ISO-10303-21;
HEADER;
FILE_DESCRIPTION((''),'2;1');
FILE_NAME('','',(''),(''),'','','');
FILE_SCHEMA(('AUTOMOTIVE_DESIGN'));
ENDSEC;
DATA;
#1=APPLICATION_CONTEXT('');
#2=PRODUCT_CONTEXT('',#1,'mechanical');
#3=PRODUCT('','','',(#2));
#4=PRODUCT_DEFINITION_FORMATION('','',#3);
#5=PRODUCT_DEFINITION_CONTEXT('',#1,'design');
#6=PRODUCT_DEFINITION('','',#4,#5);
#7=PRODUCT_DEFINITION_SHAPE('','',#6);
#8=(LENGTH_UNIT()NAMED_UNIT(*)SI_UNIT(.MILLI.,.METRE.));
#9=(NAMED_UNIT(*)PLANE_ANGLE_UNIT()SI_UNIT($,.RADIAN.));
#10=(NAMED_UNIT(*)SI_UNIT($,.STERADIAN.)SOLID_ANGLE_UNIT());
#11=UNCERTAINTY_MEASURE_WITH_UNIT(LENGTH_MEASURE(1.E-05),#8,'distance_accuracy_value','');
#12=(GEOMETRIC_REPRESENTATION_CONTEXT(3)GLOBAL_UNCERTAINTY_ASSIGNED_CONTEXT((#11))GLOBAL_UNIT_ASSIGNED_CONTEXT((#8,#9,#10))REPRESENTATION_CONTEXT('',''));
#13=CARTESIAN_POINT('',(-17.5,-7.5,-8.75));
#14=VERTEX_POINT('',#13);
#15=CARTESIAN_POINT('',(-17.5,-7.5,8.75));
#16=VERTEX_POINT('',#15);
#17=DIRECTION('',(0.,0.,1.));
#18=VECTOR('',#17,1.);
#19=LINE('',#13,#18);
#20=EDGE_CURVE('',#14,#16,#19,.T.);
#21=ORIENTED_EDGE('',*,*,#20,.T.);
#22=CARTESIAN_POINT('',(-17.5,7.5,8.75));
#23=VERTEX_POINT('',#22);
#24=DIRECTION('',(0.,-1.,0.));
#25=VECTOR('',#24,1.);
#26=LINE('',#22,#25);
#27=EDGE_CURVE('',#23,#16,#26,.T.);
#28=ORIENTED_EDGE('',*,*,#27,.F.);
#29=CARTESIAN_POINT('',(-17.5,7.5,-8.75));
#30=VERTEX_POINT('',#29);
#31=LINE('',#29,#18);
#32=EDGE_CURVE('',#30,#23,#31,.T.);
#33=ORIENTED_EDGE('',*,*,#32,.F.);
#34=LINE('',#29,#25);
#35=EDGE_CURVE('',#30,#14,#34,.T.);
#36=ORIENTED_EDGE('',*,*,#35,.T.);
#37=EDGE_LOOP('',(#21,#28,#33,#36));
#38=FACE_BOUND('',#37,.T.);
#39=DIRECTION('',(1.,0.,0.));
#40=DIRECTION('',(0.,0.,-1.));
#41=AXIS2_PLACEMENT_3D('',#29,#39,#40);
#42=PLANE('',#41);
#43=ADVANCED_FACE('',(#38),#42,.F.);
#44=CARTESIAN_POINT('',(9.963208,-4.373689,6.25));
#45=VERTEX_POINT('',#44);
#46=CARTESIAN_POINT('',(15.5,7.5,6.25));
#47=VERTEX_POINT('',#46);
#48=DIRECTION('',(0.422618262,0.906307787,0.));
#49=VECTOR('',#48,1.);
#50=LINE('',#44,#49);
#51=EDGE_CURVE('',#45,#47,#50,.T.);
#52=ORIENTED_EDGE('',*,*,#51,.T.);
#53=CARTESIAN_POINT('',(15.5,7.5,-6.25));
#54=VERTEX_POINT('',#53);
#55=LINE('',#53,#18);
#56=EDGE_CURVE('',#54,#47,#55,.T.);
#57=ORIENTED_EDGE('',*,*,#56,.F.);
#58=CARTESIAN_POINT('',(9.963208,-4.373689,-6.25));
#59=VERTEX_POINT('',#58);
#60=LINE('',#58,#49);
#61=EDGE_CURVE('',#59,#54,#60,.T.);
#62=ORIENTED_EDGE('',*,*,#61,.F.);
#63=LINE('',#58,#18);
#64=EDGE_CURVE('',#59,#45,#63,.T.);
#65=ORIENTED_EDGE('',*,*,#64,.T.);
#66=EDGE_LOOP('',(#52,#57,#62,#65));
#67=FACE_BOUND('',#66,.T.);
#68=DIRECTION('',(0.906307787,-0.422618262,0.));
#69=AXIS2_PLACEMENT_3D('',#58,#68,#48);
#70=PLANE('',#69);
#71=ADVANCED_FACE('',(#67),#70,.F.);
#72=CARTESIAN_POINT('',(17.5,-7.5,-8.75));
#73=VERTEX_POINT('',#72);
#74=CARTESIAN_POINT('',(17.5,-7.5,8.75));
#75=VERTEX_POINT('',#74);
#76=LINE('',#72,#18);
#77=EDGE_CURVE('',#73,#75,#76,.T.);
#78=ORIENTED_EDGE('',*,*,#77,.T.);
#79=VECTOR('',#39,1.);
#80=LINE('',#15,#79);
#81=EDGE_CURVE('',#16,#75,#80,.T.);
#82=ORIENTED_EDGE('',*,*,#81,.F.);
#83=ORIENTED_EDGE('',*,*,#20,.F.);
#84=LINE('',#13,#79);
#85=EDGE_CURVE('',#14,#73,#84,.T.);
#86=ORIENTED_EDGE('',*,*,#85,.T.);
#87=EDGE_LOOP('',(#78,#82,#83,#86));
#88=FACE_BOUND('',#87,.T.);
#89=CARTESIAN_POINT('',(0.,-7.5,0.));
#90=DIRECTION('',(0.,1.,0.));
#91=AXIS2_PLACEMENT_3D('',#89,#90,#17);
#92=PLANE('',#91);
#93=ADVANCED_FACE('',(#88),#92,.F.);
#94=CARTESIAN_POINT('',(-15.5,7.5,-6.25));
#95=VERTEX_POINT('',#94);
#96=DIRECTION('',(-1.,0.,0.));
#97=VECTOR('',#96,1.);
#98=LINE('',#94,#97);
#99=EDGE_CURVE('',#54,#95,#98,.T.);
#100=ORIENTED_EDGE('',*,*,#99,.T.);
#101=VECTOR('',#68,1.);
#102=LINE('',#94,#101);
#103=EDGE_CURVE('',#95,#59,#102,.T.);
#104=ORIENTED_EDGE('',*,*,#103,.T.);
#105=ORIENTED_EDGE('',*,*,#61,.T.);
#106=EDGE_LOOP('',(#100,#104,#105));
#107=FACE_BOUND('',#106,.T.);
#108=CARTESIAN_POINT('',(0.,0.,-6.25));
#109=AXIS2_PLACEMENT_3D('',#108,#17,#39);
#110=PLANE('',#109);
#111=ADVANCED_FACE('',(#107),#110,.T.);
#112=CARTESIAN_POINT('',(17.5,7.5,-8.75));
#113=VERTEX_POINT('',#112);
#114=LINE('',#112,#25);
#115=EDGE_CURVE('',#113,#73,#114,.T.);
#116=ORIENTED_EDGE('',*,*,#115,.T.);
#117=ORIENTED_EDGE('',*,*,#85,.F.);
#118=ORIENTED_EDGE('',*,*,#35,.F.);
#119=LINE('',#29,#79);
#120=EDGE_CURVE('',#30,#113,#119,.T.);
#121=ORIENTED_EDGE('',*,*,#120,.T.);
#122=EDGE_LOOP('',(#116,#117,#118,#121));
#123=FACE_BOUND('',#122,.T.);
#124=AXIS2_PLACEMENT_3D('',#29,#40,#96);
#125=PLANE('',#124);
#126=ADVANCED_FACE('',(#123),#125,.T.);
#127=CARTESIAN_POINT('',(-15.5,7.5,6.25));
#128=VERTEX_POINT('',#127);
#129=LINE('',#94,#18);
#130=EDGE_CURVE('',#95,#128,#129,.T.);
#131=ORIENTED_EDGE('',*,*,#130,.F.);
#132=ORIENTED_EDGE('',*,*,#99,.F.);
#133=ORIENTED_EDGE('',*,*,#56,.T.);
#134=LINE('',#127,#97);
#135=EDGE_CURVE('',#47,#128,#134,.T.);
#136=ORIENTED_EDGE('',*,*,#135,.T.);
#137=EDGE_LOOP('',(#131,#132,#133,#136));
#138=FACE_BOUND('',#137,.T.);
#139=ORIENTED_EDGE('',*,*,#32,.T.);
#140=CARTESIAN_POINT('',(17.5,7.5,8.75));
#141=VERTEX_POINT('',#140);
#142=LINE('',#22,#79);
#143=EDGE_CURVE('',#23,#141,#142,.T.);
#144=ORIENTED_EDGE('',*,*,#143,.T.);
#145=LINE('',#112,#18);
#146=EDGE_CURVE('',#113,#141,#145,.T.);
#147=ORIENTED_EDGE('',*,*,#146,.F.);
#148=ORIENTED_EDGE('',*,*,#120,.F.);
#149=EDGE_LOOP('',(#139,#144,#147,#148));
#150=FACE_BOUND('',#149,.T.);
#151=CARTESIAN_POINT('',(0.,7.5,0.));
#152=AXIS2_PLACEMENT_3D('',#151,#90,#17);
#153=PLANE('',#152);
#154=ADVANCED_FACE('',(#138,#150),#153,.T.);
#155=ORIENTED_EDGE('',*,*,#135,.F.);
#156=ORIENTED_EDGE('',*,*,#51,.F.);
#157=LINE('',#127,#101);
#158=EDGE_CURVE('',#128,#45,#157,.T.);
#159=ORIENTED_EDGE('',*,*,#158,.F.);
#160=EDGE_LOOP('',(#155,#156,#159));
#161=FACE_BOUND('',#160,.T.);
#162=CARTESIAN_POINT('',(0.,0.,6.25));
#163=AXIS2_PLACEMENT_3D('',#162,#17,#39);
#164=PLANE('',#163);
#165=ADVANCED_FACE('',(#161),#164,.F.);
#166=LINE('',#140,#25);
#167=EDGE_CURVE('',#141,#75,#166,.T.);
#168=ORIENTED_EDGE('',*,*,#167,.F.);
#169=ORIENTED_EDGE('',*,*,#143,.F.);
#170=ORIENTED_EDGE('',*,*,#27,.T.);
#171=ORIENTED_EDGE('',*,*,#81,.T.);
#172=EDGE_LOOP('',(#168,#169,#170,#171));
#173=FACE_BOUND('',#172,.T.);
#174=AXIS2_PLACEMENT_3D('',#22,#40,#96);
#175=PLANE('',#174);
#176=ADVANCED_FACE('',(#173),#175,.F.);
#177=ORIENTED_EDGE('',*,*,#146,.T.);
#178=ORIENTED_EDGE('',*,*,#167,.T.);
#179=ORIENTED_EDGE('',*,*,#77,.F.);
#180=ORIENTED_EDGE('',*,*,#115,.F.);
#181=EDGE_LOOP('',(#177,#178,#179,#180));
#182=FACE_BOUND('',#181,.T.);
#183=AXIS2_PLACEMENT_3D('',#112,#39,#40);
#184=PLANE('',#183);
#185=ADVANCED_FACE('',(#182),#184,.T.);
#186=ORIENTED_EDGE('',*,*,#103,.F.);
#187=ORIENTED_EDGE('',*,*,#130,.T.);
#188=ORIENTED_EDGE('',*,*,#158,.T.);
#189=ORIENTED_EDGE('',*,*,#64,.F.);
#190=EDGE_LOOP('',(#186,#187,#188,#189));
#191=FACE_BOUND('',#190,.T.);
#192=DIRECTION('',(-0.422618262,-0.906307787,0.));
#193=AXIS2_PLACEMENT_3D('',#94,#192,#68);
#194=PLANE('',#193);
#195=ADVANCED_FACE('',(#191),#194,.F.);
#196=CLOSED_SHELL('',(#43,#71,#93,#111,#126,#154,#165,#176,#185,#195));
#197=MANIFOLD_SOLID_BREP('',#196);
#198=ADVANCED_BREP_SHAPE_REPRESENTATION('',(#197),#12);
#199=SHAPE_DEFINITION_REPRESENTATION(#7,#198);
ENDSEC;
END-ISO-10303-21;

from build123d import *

# Parameters (mm, degrees)
SKETCH1_W           = 35
SKETCH1_H           = 17.5
BOSS_EXTRUDE2_DEPTH = 7.5
CUT_EXTRUDE2_DEPTH  = 6.25


with BuildPart() as part:
    # Sketch1 → Boss-Extrude2 (new, symmetric)
    with BuildSketch(Plane(origin=(0, 0, 0), x_dir=(1, 0, 0), z_dir=(0, 1, 0))):
        Rectangle(SKETCH1_W, SKETCH1_H)
    extrude(amount=BOSS_EXTRUDE2_DEPTH, both=True)

    # Sketch5 → Cut-Extrude2 (cut, symmetric)
    with BuildSketch(Plane.XY):
        Polygon((-15.5, 7.5), (9.96320795, -4.373688868), (15.5, 7.5), align=None)
    extrude(amount=CUT_EXTRUDE2_DEPTH, both=True, mode=Mode.SUBTRACT)


solid = part.part
